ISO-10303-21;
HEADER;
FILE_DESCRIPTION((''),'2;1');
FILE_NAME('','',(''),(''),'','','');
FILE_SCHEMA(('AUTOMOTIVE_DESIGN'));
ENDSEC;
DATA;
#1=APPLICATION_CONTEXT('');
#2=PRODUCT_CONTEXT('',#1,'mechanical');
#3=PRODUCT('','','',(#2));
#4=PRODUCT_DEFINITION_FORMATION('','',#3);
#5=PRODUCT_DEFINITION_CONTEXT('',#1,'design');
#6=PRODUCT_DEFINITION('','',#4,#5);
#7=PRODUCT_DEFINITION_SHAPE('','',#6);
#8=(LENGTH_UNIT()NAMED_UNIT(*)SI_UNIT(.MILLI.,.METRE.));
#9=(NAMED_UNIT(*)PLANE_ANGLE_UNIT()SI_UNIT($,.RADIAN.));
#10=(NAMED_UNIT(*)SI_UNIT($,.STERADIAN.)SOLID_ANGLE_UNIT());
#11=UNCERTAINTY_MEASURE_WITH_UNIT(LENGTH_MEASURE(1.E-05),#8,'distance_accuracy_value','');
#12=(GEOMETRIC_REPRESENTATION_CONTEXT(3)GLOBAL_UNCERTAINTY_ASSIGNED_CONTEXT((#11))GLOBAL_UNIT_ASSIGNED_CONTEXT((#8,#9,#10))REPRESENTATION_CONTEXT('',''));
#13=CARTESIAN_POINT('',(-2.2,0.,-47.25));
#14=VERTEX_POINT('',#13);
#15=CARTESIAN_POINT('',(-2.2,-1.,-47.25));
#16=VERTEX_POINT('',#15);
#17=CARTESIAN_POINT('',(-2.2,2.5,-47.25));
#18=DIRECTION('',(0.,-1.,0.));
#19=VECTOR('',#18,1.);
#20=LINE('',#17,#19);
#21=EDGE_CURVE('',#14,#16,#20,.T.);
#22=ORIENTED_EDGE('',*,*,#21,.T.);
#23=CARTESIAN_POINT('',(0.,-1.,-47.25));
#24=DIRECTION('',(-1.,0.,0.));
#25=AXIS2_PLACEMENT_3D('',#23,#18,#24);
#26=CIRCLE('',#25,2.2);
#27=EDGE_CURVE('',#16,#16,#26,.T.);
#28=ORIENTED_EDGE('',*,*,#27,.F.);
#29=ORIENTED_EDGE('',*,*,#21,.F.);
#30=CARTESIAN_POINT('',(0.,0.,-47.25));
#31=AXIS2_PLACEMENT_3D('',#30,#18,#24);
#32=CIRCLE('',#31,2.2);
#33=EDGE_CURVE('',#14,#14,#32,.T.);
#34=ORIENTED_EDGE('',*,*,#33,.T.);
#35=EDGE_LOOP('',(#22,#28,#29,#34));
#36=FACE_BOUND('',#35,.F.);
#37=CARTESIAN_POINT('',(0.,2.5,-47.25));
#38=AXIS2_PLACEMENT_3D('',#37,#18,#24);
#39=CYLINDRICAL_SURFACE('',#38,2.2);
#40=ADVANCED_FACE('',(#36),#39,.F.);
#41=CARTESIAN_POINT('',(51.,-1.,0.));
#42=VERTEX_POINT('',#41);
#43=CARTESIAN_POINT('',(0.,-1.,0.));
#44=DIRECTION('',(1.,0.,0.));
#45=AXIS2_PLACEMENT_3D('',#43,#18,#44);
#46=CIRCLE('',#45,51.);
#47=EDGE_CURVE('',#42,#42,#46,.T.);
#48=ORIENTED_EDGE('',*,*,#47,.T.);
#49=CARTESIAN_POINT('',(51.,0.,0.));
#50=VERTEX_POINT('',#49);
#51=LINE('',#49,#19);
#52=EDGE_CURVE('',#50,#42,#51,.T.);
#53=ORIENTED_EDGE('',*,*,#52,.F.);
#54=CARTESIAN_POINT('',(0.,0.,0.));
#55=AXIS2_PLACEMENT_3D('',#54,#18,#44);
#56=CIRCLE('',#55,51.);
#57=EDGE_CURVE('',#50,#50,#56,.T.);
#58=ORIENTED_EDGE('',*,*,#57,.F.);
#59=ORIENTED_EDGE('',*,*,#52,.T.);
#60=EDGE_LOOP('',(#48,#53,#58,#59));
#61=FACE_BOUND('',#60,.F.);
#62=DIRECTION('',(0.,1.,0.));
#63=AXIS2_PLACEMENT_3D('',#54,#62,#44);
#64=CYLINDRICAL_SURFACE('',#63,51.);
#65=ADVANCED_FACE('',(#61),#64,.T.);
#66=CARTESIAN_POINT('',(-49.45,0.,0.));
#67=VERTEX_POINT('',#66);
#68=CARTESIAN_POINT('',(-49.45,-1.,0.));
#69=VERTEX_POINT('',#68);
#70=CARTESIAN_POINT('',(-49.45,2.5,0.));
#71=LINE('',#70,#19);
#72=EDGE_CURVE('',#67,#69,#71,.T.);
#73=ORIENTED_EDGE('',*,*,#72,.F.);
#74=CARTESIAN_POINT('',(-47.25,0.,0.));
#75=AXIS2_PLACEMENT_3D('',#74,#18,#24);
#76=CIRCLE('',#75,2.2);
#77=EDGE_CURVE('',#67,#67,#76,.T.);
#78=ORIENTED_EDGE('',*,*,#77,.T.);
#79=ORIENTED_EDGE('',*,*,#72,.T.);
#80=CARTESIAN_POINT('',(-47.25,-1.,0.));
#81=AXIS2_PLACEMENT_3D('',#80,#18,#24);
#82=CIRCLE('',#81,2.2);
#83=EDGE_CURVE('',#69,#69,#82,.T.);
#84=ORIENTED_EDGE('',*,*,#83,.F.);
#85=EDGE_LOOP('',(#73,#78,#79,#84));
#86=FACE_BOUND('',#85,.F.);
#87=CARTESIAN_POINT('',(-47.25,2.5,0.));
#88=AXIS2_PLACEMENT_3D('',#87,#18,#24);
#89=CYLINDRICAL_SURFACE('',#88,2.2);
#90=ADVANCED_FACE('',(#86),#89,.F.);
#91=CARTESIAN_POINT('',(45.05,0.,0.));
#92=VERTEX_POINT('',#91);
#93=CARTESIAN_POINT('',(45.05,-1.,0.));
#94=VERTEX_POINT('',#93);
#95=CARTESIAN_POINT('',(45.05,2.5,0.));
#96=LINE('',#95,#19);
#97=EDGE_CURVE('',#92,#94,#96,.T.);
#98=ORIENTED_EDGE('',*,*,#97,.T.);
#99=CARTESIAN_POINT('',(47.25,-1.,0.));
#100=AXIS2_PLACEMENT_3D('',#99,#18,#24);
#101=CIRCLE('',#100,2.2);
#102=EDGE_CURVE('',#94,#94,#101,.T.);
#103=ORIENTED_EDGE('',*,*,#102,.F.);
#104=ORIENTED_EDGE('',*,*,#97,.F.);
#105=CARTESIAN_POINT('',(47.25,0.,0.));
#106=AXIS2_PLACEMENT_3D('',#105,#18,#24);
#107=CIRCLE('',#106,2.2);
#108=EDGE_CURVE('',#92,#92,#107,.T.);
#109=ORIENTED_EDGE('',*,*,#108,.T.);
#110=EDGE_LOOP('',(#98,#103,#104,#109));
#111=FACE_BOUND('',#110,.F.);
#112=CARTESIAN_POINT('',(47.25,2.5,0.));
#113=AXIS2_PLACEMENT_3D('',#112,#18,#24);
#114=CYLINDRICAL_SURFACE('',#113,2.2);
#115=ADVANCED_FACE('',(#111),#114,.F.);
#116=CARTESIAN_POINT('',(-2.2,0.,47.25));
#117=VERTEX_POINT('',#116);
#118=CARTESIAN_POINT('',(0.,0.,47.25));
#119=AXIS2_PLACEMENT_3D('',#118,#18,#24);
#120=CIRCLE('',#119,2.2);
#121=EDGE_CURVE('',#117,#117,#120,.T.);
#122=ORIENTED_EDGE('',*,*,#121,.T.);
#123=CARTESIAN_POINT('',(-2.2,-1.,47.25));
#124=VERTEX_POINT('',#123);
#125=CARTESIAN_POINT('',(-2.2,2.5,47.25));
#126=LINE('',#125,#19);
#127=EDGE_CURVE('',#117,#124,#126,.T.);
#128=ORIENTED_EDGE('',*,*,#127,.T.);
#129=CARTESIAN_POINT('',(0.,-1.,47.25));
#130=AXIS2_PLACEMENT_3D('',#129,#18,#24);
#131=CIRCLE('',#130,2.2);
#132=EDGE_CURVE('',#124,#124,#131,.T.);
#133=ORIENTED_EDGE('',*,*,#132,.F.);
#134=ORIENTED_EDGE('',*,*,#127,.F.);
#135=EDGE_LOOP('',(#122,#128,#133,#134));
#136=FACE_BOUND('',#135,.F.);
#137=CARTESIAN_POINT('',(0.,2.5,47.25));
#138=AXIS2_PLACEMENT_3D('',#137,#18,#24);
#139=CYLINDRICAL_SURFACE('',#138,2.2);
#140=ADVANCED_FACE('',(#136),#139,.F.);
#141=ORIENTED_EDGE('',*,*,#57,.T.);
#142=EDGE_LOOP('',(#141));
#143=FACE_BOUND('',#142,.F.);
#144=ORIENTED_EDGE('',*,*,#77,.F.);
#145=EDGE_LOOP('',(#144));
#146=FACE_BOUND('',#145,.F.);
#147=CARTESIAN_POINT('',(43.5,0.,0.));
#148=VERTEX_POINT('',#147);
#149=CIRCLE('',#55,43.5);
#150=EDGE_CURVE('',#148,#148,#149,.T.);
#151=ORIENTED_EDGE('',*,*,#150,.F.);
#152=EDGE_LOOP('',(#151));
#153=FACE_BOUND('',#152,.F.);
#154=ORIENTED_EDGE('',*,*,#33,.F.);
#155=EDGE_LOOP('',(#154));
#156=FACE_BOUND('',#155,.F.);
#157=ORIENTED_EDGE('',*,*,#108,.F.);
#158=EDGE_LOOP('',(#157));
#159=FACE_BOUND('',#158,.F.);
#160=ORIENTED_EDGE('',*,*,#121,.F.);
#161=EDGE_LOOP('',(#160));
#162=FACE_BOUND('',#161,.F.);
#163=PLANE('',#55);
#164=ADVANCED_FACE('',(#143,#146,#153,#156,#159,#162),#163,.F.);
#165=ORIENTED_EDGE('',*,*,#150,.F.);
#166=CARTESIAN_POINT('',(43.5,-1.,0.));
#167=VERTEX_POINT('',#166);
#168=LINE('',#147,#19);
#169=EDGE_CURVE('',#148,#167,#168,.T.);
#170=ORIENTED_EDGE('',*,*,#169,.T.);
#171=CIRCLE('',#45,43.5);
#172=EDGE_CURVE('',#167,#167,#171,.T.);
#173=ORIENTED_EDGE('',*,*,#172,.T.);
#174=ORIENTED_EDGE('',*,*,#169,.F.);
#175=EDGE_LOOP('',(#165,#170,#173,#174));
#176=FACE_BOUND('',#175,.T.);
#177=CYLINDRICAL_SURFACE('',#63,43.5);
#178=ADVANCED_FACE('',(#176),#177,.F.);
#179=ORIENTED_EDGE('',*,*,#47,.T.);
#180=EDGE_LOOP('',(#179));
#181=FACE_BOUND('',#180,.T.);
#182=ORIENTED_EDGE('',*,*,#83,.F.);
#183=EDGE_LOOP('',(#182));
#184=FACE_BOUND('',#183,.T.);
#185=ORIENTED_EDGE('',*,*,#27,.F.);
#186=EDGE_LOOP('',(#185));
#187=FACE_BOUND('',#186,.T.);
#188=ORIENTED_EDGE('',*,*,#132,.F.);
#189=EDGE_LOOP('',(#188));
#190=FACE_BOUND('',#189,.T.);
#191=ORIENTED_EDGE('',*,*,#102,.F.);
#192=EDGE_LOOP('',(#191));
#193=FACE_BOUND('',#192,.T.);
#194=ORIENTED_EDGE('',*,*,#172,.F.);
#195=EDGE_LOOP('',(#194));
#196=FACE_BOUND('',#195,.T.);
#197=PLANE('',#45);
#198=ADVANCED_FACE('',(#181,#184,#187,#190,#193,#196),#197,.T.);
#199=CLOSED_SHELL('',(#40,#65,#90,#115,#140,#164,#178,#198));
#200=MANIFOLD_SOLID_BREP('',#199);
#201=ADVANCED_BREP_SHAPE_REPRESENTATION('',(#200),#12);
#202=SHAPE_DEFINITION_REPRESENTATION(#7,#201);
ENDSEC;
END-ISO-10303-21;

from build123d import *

# Parameters (mm, degrees)
F0_R     = 51
F0_R_2   = 43.5
F1_DEPTH = 1
F2_D     = 4.4
F2_DEPTH = 2.5
F2_TIP   = 1.3218933619


with BuildPart() as f1:
    # F0 (on Front) → F1 (new body)
    with BuildSketch(Plane.XZ):
        Circle(F0_R)
        Circle(F0_R_2, mode=Mode.SUBTRACT)
    extrude(amount=F1_DEPTH)

    # F2
    with Locations(Plane(origin=(0, 0, 0), x_dir=(1, 0, 0), z_dir=(0, 1, 0))):
        with Locations((0, -47.25), (-47.25, 0), (0, 47.25), (47.25, 0)):
            Hole(F2_D / 2, depth=F2_DEPTH)
            with Locations((0, 0, -(F2_DEPTH + F2_TIP / 2))):  # 118° drill point
                Cone(0, F2_D / 2, F2_TIP, mode=Mode.SUBTRACT)


solid = f1.part
